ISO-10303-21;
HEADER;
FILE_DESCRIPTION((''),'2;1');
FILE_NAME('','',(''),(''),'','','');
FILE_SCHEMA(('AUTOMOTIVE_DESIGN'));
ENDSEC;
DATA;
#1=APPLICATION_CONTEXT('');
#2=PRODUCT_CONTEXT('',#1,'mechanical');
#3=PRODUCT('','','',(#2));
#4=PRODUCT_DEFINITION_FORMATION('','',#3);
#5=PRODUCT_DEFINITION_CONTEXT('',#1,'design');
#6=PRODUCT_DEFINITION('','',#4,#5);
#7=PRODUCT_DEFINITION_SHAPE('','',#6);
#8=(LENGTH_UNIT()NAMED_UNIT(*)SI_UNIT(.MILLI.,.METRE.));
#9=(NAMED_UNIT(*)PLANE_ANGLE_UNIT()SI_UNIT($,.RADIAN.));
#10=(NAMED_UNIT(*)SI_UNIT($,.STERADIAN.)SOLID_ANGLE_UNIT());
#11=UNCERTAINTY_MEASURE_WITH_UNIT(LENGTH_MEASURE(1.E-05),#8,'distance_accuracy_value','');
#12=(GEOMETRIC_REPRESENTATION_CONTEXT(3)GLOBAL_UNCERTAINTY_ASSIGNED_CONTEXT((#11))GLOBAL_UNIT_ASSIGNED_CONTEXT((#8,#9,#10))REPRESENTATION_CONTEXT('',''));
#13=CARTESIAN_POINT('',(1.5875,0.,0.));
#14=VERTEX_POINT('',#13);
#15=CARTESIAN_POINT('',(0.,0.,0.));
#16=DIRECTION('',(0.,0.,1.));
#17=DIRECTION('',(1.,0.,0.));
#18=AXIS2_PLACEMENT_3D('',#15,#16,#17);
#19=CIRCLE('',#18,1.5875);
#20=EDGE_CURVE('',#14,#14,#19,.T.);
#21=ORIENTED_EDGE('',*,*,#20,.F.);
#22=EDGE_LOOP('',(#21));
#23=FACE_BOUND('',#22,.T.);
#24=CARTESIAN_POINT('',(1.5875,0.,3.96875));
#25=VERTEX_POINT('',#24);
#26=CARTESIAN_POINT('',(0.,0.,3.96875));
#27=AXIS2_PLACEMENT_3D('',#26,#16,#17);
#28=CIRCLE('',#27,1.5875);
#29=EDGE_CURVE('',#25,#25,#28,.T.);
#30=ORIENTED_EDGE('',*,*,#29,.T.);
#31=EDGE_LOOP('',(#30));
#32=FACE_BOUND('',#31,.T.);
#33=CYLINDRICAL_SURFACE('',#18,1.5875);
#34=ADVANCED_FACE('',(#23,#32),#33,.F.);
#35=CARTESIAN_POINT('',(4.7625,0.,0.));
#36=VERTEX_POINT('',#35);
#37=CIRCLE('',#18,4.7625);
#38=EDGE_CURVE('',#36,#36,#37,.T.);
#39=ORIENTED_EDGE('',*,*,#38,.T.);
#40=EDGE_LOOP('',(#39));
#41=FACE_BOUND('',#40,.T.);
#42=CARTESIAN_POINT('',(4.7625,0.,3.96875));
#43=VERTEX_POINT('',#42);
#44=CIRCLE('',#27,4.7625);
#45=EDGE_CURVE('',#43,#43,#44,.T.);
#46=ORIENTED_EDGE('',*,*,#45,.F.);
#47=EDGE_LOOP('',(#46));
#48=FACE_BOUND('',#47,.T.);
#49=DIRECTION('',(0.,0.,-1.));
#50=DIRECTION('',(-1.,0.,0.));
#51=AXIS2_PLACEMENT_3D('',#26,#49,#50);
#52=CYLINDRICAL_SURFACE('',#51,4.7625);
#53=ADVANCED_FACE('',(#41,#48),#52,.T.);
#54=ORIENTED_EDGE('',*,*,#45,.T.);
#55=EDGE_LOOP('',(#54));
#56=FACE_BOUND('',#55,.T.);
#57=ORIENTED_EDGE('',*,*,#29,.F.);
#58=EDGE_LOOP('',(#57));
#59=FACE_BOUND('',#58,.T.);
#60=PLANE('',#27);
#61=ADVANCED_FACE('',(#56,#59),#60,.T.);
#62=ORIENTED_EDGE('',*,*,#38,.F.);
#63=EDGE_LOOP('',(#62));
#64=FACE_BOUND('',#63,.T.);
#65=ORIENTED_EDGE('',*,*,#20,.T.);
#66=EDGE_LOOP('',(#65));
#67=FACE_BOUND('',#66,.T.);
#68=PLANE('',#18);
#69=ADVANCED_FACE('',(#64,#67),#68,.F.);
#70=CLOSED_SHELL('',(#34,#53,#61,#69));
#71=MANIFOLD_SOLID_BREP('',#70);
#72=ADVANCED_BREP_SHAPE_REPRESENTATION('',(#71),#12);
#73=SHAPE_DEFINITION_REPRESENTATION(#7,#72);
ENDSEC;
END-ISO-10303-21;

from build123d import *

# Parameters (mm, degrees)
SKETCH1_R      = 4.7625
EXTRUDE1_DEPTH = 3.96875
SKETCH2_R      = 1.5875
EXTRUDE2_DEPTH = 4.96875


with BuildPart() as part:
    # Sketch1 → Extrude1 (new body)
    with BuildSketch(Plane.XY):
        Circle(SKETCH1_R)
    extrude(amount=EXTRUDE1_DEPTH)

    # Sketch2 → Extrude2 (cut, through all)
    with BuildSketch(Plane.XY.offset(3.96875)):
        Circle(SKETCH2_R)
    extrude(amount=-EXTRUDE2_DEPTH, mode=Mode.SUBTRACT)


solid = part.part
